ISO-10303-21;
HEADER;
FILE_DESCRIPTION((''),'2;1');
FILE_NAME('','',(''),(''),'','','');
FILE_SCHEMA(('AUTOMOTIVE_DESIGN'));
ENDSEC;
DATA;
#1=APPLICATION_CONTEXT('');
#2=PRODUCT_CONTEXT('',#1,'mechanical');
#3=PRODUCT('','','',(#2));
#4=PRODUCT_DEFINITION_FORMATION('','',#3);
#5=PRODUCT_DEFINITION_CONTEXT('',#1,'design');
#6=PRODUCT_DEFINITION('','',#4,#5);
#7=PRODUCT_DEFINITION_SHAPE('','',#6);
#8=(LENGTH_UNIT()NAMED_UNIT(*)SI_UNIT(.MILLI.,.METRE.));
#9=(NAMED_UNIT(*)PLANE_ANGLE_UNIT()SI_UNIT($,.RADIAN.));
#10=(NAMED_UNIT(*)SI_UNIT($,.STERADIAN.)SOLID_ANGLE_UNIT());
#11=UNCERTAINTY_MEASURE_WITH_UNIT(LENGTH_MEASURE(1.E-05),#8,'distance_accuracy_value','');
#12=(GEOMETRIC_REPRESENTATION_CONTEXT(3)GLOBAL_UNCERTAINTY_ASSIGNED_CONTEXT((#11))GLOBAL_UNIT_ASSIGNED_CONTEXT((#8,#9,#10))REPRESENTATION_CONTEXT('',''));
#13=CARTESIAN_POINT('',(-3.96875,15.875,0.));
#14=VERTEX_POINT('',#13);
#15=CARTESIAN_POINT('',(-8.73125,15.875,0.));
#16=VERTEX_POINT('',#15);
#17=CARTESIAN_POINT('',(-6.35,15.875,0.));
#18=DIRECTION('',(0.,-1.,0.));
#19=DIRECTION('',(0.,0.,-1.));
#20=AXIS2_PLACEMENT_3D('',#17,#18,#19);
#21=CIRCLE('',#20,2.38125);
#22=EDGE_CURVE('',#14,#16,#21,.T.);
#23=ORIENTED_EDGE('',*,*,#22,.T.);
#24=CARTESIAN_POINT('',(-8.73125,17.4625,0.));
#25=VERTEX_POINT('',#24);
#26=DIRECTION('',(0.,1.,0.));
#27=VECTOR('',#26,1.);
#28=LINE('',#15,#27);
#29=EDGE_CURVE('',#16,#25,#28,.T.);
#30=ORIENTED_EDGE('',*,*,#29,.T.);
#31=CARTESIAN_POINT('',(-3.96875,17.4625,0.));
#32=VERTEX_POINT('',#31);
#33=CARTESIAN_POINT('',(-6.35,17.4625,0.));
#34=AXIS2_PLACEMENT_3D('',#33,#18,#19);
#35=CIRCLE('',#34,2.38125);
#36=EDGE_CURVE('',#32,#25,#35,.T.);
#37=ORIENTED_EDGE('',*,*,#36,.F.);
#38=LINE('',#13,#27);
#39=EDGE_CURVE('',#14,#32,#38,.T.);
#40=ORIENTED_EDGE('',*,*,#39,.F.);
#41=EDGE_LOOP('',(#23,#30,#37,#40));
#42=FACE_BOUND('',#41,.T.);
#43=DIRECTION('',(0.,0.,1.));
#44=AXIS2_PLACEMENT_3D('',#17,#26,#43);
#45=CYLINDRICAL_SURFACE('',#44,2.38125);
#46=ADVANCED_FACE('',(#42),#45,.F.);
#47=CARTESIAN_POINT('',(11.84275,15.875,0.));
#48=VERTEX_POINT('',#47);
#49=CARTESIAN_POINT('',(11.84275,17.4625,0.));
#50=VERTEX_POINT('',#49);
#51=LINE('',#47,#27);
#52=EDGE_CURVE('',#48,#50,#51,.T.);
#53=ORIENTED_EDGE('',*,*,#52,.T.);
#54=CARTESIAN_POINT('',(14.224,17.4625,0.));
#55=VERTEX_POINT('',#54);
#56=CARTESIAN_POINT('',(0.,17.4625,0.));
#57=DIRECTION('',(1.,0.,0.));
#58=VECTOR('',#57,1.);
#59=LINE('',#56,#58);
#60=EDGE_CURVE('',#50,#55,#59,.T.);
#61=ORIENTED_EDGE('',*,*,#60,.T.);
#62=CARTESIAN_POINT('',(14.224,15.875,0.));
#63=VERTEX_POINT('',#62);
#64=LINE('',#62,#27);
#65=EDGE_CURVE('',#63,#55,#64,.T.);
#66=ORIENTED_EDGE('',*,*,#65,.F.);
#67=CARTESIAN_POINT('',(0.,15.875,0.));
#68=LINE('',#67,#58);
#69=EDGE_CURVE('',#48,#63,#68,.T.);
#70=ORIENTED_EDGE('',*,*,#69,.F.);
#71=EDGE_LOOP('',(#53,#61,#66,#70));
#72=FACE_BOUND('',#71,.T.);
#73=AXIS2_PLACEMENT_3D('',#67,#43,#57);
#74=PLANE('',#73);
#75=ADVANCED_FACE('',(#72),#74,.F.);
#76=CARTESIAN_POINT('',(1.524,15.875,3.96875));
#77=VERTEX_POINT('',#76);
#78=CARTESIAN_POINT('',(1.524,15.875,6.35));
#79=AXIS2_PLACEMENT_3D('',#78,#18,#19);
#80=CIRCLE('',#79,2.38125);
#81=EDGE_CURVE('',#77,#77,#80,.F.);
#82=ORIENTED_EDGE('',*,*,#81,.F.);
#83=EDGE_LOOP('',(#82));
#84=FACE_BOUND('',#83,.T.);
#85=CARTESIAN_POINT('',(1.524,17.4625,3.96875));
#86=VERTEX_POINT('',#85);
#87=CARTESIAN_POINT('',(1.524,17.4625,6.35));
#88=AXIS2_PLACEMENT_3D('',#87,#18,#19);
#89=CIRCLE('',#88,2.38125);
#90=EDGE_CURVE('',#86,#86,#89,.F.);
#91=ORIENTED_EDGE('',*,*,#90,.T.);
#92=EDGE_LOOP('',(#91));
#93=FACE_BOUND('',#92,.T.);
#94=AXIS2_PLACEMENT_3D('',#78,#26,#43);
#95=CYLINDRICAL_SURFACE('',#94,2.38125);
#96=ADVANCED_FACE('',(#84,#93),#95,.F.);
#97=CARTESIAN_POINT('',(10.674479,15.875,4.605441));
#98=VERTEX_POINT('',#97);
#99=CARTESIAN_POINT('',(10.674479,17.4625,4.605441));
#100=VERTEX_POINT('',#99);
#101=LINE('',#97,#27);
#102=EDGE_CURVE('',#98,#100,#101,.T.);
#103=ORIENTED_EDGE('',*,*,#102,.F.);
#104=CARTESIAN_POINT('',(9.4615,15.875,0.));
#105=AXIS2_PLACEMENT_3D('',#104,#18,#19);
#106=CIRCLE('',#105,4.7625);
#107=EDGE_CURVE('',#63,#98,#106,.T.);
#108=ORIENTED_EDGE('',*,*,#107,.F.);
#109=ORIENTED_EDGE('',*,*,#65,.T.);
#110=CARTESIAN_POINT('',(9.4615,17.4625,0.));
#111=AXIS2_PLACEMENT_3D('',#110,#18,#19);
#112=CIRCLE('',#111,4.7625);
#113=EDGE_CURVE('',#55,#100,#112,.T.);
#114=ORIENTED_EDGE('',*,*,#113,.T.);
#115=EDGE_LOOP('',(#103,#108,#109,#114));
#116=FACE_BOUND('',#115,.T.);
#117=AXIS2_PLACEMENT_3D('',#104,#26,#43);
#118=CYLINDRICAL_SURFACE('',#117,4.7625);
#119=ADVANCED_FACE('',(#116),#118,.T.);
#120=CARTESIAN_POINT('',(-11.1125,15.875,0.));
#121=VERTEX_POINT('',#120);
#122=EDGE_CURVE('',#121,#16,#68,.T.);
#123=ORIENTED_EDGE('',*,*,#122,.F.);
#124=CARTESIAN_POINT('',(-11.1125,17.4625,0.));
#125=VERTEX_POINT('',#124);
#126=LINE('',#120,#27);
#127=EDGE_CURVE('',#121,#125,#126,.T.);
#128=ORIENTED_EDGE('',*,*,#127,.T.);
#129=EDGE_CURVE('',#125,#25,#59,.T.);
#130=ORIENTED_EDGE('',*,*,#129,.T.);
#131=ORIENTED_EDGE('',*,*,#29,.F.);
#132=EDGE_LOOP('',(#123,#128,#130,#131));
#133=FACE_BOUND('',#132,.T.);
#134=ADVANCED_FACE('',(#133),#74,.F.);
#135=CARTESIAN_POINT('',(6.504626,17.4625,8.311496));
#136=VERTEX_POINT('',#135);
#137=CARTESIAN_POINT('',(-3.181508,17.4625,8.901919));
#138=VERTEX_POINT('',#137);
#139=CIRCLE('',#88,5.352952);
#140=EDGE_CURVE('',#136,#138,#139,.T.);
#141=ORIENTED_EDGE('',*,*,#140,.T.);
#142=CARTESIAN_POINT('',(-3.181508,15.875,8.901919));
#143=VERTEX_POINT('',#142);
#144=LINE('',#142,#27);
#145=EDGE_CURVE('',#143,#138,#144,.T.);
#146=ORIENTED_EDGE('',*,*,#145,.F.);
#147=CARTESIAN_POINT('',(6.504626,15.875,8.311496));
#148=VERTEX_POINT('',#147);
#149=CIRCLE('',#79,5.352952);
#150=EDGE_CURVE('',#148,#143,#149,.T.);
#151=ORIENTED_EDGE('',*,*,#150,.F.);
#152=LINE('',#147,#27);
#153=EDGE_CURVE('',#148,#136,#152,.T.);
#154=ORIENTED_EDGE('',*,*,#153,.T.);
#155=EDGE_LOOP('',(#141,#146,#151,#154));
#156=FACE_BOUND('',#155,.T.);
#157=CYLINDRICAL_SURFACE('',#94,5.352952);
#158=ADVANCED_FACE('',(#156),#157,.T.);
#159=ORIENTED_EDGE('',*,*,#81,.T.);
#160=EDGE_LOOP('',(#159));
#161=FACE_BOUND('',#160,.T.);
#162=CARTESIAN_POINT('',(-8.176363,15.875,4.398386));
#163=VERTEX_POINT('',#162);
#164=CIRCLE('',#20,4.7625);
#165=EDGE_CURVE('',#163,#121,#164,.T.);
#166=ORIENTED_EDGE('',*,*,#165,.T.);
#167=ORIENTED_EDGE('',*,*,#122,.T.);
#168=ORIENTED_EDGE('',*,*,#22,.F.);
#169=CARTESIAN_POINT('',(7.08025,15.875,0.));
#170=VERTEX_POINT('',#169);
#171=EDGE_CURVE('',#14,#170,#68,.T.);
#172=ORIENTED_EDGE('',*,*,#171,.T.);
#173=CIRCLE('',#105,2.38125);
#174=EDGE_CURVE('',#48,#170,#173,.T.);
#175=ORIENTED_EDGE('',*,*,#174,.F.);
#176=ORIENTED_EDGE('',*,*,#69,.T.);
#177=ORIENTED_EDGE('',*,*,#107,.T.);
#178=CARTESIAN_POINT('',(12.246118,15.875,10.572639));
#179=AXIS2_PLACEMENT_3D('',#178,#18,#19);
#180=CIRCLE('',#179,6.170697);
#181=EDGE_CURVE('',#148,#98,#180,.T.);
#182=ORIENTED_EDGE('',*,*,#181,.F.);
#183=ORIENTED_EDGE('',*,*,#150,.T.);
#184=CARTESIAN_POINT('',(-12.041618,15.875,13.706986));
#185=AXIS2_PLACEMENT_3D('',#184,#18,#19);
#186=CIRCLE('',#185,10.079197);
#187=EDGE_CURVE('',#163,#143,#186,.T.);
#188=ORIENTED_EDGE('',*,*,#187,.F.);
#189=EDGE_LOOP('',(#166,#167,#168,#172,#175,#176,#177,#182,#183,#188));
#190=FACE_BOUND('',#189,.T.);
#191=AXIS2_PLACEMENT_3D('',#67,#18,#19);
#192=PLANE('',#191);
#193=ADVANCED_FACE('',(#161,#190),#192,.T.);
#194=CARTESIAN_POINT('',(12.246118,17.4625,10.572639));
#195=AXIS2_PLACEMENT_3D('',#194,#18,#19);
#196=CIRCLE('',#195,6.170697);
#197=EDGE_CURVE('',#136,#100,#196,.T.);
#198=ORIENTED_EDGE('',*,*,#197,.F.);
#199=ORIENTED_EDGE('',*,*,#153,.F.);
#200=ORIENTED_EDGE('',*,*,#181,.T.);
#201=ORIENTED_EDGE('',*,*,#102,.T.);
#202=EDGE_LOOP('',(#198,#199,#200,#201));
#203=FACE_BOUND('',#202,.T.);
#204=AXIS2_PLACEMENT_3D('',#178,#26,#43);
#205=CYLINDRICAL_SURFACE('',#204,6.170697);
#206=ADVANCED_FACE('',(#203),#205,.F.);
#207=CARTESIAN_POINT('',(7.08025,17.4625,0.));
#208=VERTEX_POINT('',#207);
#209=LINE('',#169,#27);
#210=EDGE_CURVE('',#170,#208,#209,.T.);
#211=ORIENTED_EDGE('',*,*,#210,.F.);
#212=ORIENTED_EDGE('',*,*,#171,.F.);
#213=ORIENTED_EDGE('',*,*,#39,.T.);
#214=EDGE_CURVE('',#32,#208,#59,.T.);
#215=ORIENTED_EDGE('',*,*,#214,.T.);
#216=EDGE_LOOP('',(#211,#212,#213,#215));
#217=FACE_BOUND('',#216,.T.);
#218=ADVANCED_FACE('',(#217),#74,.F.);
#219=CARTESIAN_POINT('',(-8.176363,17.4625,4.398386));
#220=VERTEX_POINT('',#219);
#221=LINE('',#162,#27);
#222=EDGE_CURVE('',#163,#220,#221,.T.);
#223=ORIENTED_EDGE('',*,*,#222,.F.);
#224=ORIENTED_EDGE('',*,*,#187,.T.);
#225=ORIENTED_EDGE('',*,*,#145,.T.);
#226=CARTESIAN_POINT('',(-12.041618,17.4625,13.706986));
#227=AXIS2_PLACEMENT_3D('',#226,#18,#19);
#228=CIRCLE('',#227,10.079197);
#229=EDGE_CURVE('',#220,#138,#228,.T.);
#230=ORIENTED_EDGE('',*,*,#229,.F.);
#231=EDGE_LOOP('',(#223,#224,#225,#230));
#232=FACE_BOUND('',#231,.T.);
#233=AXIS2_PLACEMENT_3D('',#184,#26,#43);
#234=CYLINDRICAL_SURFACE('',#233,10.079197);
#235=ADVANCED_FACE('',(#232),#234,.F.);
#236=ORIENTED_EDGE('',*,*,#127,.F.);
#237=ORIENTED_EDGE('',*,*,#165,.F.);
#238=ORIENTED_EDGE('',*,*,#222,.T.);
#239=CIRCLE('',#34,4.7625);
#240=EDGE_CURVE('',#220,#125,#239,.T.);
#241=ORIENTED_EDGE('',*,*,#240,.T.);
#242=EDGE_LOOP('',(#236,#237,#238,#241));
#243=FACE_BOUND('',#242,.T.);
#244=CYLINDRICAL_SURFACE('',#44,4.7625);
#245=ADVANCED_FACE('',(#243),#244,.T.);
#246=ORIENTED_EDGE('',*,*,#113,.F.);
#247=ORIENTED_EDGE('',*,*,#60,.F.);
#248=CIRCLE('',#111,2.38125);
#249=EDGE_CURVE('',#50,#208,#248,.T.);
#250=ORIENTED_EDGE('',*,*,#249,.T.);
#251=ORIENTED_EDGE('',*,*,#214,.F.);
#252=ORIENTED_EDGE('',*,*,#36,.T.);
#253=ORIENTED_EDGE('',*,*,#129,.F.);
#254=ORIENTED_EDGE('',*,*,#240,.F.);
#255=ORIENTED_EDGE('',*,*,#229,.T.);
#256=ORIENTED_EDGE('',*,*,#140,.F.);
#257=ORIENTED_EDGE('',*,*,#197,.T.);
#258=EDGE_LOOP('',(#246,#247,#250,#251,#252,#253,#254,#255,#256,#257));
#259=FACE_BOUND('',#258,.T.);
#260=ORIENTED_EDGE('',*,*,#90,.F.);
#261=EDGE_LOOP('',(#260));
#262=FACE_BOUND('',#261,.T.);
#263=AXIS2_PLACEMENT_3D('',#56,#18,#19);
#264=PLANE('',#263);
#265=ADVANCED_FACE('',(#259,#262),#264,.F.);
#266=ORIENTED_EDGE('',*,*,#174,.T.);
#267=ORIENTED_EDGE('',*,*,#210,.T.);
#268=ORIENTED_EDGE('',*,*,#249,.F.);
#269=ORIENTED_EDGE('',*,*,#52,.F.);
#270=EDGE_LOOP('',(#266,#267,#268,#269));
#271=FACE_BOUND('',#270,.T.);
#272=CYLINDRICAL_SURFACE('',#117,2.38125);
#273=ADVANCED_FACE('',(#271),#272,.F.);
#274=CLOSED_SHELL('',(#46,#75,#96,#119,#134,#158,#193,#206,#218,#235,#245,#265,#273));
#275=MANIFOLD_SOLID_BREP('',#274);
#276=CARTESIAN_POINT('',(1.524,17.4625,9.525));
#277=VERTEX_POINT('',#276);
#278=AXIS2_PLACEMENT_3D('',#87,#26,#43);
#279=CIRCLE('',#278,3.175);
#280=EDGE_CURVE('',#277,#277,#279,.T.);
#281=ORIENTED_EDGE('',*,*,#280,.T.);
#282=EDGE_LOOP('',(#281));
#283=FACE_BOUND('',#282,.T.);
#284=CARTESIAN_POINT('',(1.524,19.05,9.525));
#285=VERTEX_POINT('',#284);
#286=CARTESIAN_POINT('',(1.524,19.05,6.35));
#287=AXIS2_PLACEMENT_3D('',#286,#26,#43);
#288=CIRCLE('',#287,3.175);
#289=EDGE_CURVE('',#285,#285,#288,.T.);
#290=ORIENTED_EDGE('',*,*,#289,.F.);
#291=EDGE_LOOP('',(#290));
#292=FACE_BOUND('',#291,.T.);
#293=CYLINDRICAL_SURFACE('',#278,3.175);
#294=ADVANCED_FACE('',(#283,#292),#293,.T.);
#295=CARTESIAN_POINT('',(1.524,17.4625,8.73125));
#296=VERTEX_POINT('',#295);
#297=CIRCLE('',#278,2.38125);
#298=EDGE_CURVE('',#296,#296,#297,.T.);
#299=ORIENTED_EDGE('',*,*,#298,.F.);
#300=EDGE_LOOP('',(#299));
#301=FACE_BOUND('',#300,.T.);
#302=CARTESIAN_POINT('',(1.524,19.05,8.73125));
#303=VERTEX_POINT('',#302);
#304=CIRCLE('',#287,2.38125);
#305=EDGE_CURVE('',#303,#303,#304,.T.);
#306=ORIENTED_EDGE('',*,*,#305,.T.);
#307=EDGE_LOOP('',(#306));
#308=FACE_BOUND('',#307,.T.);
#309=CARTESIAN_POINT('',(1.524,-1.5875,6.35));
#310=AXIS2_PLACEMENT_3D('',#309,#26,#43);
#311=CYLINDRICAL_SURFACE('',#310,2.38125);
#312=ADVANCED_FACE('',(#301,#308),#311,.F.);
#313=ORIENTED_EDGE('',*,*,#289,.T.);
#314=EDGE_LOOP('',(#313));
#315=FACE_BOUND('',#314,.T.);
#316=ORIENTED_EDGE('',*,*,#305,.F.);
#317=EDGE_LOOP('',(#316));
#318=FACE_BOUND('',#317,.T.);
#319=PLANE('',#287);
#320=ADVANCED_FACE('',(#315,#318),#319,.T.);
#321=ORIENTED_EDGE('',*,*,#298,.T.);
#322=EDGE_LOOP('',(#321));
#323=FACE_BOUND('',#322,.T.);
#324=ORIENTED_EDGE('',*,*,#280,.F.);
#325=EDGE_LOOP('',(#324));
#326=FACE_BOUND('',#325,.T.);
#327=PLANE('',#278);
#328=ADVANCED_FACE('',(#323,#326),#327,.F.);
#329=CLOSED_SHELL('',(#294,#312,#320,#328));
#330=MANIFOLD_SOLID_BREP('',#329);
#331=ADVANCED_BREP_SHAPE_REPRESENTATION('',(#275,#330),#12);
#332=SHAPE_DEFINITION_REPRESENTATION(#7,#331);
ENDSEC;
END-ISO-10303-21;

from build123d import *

# Parameters (mm, degrees)
SKETCH1_R           = 2.38125
BOSS_EXTRUDE1_DEPTH = 1.5875
SKETCH2_R           = 3.175
BOSS_EXTRUDE2_DEPTH = 1.5875
SKETCH3_R           = 2.38125
BOSS_EXTRUDE3_DEPTH = 19.05
SKETCH4_R           = 3.175
BOSS_EXTRUDE4_DEPTH = 1.5875
SKETCH5_R           = 2.38125
BOSS_EXTRUDE5_DEPTH = 1.5875
SKETCH6_R           = 2.38125
CUT_EXTRUDE1_DEPTH  = 28.662025878
SKETCH7_W           = 40.69090725
SKETCH7_H           = 20.005301762
CUT_EXTRUDE2_DEPTH  = 26.381492779
CUT_EXTRUDE3_DEPTH  = 19.487872394


with BuildPart() as part:
    # Sketch1 → Boss-Extrude1 (new body)
    with BuildSketch(Plane(origin=(0, 0, 0), x_dir=(1, 0, 0), z_dir=(0, 1, 0))):
        with BuildLine():
            Line((9.398005644, 4.762076723), (-6.35, 4.7625))
            ThreePointArc((-6.35, 4.7625), (-11.020584629, 0.931152767), (-8.176363381, -4.398386414))
            ThreePointArc((-8.176363381, -4.398386414), (-5.292234705, -6.221263486), (-3.181508348, -8.901918869))
            ThreePointArc((-3.181508348, -8.901918869), (1.849687492, -11.693035316), (6.504625866, -8.311495529))
            ThreePointArc((6.504625866, -8.311495529), (8.146827792, -5.96033805), (10.67447942, -4.60544104))
            ThreePointArc((10.67447942, -4.60544104), (14.180390361, 0.643024113), (9.398005644, 4.762076723))
        make_face()
        with Locations(Location((-6.35, 0, 0), (0, 0, 270))):
            Circle(SKETCH1_R, mode=Mode.SUBTRACT)
        with Locations(Location((9.4615, 0, 0), (0, 0, 270))):
            Circle(SKETCH1_R, mode=Mode.SUBTRACT)
        with Locations(Location((1.524, -6.35, 0), (0, 0, 270))):
            Circle(SKETCH1_R, mode=Mode.SUBTRACT)
    extrude(amount=BOSS_EXTRUDE1_DEPTH)

    # Sketch2 → Boss-Extrude2 (add)
    with BuildSketch(Plane.XZ):
        with Locations(Location((1.524, 6.35, 0), (0, 0, 90))):
            Circle(SKETCH2_R)
    extrude(amount=BOSS_EXTRUDE2_DEPTH)

    # Sketch3 → Boss-Extrude3 (add)
    with BuildSketch(Plane(origin=(0, 0, 0), x_dir=(1, 0, 0), z_dir=(0, 1, 0))):
        with Locations(Location((1.524, -6.35, 0), (0, 0, 90))):
            Circle(SKETCH3_R)
    extrude(amount=BOSS_EXTRUDE3_DEPTH)

    # Sketch4 → Boss-Extrude4 (add)
    with BuildSketch(Plane(origin=(0, 19.05, 0), x_dir=(1, 0, 0), z_dir=(0, 1, 0))):
        with Locations(Location((1.524, -6.35, 0), (0, 0, 270))):
            Circle(SKETCH4_R)
    extrude(amount=-BOSS_EXTRUDE4_DEPTH)

    # Sketch6 → Cut-Extrude1 (cut, through all)
    with BuildSketch(Plane(origin=(0, 19.05, 0), x_dir=(1, 0, 0), z_dir=(0, 1, 0))):
        with Locations(Location((1.524, -6.35, 0), (0, 0, 90))):
            Circle(SKETCH6_R)
    extrude(amount=-CUT_EXTRUDE1_DEPTH, mode=Mode.SUBTRACT)


with BuildPart() as body_2:
    # Sketch5 → Boss-Extrude5 (new body)
    with BuildSketch(Plane.XZ.offset(-17.4625)):
        with BuildLine():
            ThreePointArc((-8.176363381, 4.398386414), (-11.020584629, -0.931152767), (-6.35, -4.7625))
            Line((-6.35, -4.7625), (9.4615, -4.7625))
            ThreePointArc((9.4615, -4.7625), (14.184572051, -0.611552653), (10.67447942, 4.60544104))
            ThreePointArc((10.67447942, 4.60544104), (8.146827792, 5.96033805), (6.504625866, 8.311495529))
            ThreePointArc((6.504625866, 8.311495529), (1.849687492, 11.693035316), (-3.181508348, 8.901918869))
            ThreePointArc((-3.181508348, 8.901918869), (-5.292234705, 6.221263486), (-8.176363381, 4.398386414))
        make_face()
        with Locations(Location((-6.35, 0, 0), (0, 0, 270))):
            Circle(SKETCH5_R, mode=Mode.SUBTRACT)
        with Locations(Location((9.4615, 0, 0), (0, 0, 270))):
            Circle(SKETCH5_R, mode=Mode.SUBTRACT)
        with Locations(Location((1.524, 6.35, 0), (0, 0, 270))):
            Circle(SKETCH5_R, mode=Mode.SUBTRACT)
    extrude(amount=BOSS_EXTRUDE5_DEPTH)

    # Sketch8 → Cut-Extrude3 (cut, through all)
    with BuildSketch(Plane(origin=(0, 17.4625, 0), x_dir=(1, 0, 0), z_dir=(0, 1, 0))):
        with BuildLine():
            ThreePointArc((7.08025, 0), (9.4615, 2.38125), (11.84275, 0))
            Line((11.84275, 0), (14.224, 0))
            ThreePointArc((14.224, 0), (12.829096045, 3.367596045), (9.4615, 4.7625))
            Line((9.4615, 4.7625), (-6.35, 4.7625))
            ThreePointArc((-6.35, 4.7625), (-9.717596045, 3.367596045), (-11.1125, 0))
            Line((-11.1125, 0), (-8.73125, 0))
            ThreePointArc((-8.73125, 0), (-6.35, 2.38125), (-3.96875, 0))
            Line((-3.96875, 0), (7.08025, 0))
        make_face()
    extrude(amount=-CUT_EXTRUDE3_DEPTH, mode=Mode.SUBTRACT)


with BuildPart() as cut_extrude1_piece_1:
    # of the separate pieces the step leaves, piece 1, a body of its own (cut_extrude1_pieces)
    add(part.part.solids().sort_by_distance((9.398005644, 0, -4.762076723))[0])

    # Sketch7 → Cut-Extrude2 (cut, through all)
    with BuildSketch(Plane(origin=(0, 1.5875, 0), x_dir=(1, 0, 0), z_dir=(0, 1, 0))):
        with Locations((0.04887425, -4.128782639)):
            Rectangle(SKETCH7_W, SKETCH7_H)
    extrude(amount=-CUT_EXTRUDE2_DEPTH, mode=Mode.SUBTRACT)


with BuildPart() as cut_extrude1_piece_2:
    # of the separate pieces the step leaves, piece 2, a body of its own (cut_extrude1_pieces)
    add(part.part.solids().sort_by_distance((1.524, 17.4625, 9.525))[0])


solid = Compound([body_2.part, cut_extrude1_piece_2.part])
